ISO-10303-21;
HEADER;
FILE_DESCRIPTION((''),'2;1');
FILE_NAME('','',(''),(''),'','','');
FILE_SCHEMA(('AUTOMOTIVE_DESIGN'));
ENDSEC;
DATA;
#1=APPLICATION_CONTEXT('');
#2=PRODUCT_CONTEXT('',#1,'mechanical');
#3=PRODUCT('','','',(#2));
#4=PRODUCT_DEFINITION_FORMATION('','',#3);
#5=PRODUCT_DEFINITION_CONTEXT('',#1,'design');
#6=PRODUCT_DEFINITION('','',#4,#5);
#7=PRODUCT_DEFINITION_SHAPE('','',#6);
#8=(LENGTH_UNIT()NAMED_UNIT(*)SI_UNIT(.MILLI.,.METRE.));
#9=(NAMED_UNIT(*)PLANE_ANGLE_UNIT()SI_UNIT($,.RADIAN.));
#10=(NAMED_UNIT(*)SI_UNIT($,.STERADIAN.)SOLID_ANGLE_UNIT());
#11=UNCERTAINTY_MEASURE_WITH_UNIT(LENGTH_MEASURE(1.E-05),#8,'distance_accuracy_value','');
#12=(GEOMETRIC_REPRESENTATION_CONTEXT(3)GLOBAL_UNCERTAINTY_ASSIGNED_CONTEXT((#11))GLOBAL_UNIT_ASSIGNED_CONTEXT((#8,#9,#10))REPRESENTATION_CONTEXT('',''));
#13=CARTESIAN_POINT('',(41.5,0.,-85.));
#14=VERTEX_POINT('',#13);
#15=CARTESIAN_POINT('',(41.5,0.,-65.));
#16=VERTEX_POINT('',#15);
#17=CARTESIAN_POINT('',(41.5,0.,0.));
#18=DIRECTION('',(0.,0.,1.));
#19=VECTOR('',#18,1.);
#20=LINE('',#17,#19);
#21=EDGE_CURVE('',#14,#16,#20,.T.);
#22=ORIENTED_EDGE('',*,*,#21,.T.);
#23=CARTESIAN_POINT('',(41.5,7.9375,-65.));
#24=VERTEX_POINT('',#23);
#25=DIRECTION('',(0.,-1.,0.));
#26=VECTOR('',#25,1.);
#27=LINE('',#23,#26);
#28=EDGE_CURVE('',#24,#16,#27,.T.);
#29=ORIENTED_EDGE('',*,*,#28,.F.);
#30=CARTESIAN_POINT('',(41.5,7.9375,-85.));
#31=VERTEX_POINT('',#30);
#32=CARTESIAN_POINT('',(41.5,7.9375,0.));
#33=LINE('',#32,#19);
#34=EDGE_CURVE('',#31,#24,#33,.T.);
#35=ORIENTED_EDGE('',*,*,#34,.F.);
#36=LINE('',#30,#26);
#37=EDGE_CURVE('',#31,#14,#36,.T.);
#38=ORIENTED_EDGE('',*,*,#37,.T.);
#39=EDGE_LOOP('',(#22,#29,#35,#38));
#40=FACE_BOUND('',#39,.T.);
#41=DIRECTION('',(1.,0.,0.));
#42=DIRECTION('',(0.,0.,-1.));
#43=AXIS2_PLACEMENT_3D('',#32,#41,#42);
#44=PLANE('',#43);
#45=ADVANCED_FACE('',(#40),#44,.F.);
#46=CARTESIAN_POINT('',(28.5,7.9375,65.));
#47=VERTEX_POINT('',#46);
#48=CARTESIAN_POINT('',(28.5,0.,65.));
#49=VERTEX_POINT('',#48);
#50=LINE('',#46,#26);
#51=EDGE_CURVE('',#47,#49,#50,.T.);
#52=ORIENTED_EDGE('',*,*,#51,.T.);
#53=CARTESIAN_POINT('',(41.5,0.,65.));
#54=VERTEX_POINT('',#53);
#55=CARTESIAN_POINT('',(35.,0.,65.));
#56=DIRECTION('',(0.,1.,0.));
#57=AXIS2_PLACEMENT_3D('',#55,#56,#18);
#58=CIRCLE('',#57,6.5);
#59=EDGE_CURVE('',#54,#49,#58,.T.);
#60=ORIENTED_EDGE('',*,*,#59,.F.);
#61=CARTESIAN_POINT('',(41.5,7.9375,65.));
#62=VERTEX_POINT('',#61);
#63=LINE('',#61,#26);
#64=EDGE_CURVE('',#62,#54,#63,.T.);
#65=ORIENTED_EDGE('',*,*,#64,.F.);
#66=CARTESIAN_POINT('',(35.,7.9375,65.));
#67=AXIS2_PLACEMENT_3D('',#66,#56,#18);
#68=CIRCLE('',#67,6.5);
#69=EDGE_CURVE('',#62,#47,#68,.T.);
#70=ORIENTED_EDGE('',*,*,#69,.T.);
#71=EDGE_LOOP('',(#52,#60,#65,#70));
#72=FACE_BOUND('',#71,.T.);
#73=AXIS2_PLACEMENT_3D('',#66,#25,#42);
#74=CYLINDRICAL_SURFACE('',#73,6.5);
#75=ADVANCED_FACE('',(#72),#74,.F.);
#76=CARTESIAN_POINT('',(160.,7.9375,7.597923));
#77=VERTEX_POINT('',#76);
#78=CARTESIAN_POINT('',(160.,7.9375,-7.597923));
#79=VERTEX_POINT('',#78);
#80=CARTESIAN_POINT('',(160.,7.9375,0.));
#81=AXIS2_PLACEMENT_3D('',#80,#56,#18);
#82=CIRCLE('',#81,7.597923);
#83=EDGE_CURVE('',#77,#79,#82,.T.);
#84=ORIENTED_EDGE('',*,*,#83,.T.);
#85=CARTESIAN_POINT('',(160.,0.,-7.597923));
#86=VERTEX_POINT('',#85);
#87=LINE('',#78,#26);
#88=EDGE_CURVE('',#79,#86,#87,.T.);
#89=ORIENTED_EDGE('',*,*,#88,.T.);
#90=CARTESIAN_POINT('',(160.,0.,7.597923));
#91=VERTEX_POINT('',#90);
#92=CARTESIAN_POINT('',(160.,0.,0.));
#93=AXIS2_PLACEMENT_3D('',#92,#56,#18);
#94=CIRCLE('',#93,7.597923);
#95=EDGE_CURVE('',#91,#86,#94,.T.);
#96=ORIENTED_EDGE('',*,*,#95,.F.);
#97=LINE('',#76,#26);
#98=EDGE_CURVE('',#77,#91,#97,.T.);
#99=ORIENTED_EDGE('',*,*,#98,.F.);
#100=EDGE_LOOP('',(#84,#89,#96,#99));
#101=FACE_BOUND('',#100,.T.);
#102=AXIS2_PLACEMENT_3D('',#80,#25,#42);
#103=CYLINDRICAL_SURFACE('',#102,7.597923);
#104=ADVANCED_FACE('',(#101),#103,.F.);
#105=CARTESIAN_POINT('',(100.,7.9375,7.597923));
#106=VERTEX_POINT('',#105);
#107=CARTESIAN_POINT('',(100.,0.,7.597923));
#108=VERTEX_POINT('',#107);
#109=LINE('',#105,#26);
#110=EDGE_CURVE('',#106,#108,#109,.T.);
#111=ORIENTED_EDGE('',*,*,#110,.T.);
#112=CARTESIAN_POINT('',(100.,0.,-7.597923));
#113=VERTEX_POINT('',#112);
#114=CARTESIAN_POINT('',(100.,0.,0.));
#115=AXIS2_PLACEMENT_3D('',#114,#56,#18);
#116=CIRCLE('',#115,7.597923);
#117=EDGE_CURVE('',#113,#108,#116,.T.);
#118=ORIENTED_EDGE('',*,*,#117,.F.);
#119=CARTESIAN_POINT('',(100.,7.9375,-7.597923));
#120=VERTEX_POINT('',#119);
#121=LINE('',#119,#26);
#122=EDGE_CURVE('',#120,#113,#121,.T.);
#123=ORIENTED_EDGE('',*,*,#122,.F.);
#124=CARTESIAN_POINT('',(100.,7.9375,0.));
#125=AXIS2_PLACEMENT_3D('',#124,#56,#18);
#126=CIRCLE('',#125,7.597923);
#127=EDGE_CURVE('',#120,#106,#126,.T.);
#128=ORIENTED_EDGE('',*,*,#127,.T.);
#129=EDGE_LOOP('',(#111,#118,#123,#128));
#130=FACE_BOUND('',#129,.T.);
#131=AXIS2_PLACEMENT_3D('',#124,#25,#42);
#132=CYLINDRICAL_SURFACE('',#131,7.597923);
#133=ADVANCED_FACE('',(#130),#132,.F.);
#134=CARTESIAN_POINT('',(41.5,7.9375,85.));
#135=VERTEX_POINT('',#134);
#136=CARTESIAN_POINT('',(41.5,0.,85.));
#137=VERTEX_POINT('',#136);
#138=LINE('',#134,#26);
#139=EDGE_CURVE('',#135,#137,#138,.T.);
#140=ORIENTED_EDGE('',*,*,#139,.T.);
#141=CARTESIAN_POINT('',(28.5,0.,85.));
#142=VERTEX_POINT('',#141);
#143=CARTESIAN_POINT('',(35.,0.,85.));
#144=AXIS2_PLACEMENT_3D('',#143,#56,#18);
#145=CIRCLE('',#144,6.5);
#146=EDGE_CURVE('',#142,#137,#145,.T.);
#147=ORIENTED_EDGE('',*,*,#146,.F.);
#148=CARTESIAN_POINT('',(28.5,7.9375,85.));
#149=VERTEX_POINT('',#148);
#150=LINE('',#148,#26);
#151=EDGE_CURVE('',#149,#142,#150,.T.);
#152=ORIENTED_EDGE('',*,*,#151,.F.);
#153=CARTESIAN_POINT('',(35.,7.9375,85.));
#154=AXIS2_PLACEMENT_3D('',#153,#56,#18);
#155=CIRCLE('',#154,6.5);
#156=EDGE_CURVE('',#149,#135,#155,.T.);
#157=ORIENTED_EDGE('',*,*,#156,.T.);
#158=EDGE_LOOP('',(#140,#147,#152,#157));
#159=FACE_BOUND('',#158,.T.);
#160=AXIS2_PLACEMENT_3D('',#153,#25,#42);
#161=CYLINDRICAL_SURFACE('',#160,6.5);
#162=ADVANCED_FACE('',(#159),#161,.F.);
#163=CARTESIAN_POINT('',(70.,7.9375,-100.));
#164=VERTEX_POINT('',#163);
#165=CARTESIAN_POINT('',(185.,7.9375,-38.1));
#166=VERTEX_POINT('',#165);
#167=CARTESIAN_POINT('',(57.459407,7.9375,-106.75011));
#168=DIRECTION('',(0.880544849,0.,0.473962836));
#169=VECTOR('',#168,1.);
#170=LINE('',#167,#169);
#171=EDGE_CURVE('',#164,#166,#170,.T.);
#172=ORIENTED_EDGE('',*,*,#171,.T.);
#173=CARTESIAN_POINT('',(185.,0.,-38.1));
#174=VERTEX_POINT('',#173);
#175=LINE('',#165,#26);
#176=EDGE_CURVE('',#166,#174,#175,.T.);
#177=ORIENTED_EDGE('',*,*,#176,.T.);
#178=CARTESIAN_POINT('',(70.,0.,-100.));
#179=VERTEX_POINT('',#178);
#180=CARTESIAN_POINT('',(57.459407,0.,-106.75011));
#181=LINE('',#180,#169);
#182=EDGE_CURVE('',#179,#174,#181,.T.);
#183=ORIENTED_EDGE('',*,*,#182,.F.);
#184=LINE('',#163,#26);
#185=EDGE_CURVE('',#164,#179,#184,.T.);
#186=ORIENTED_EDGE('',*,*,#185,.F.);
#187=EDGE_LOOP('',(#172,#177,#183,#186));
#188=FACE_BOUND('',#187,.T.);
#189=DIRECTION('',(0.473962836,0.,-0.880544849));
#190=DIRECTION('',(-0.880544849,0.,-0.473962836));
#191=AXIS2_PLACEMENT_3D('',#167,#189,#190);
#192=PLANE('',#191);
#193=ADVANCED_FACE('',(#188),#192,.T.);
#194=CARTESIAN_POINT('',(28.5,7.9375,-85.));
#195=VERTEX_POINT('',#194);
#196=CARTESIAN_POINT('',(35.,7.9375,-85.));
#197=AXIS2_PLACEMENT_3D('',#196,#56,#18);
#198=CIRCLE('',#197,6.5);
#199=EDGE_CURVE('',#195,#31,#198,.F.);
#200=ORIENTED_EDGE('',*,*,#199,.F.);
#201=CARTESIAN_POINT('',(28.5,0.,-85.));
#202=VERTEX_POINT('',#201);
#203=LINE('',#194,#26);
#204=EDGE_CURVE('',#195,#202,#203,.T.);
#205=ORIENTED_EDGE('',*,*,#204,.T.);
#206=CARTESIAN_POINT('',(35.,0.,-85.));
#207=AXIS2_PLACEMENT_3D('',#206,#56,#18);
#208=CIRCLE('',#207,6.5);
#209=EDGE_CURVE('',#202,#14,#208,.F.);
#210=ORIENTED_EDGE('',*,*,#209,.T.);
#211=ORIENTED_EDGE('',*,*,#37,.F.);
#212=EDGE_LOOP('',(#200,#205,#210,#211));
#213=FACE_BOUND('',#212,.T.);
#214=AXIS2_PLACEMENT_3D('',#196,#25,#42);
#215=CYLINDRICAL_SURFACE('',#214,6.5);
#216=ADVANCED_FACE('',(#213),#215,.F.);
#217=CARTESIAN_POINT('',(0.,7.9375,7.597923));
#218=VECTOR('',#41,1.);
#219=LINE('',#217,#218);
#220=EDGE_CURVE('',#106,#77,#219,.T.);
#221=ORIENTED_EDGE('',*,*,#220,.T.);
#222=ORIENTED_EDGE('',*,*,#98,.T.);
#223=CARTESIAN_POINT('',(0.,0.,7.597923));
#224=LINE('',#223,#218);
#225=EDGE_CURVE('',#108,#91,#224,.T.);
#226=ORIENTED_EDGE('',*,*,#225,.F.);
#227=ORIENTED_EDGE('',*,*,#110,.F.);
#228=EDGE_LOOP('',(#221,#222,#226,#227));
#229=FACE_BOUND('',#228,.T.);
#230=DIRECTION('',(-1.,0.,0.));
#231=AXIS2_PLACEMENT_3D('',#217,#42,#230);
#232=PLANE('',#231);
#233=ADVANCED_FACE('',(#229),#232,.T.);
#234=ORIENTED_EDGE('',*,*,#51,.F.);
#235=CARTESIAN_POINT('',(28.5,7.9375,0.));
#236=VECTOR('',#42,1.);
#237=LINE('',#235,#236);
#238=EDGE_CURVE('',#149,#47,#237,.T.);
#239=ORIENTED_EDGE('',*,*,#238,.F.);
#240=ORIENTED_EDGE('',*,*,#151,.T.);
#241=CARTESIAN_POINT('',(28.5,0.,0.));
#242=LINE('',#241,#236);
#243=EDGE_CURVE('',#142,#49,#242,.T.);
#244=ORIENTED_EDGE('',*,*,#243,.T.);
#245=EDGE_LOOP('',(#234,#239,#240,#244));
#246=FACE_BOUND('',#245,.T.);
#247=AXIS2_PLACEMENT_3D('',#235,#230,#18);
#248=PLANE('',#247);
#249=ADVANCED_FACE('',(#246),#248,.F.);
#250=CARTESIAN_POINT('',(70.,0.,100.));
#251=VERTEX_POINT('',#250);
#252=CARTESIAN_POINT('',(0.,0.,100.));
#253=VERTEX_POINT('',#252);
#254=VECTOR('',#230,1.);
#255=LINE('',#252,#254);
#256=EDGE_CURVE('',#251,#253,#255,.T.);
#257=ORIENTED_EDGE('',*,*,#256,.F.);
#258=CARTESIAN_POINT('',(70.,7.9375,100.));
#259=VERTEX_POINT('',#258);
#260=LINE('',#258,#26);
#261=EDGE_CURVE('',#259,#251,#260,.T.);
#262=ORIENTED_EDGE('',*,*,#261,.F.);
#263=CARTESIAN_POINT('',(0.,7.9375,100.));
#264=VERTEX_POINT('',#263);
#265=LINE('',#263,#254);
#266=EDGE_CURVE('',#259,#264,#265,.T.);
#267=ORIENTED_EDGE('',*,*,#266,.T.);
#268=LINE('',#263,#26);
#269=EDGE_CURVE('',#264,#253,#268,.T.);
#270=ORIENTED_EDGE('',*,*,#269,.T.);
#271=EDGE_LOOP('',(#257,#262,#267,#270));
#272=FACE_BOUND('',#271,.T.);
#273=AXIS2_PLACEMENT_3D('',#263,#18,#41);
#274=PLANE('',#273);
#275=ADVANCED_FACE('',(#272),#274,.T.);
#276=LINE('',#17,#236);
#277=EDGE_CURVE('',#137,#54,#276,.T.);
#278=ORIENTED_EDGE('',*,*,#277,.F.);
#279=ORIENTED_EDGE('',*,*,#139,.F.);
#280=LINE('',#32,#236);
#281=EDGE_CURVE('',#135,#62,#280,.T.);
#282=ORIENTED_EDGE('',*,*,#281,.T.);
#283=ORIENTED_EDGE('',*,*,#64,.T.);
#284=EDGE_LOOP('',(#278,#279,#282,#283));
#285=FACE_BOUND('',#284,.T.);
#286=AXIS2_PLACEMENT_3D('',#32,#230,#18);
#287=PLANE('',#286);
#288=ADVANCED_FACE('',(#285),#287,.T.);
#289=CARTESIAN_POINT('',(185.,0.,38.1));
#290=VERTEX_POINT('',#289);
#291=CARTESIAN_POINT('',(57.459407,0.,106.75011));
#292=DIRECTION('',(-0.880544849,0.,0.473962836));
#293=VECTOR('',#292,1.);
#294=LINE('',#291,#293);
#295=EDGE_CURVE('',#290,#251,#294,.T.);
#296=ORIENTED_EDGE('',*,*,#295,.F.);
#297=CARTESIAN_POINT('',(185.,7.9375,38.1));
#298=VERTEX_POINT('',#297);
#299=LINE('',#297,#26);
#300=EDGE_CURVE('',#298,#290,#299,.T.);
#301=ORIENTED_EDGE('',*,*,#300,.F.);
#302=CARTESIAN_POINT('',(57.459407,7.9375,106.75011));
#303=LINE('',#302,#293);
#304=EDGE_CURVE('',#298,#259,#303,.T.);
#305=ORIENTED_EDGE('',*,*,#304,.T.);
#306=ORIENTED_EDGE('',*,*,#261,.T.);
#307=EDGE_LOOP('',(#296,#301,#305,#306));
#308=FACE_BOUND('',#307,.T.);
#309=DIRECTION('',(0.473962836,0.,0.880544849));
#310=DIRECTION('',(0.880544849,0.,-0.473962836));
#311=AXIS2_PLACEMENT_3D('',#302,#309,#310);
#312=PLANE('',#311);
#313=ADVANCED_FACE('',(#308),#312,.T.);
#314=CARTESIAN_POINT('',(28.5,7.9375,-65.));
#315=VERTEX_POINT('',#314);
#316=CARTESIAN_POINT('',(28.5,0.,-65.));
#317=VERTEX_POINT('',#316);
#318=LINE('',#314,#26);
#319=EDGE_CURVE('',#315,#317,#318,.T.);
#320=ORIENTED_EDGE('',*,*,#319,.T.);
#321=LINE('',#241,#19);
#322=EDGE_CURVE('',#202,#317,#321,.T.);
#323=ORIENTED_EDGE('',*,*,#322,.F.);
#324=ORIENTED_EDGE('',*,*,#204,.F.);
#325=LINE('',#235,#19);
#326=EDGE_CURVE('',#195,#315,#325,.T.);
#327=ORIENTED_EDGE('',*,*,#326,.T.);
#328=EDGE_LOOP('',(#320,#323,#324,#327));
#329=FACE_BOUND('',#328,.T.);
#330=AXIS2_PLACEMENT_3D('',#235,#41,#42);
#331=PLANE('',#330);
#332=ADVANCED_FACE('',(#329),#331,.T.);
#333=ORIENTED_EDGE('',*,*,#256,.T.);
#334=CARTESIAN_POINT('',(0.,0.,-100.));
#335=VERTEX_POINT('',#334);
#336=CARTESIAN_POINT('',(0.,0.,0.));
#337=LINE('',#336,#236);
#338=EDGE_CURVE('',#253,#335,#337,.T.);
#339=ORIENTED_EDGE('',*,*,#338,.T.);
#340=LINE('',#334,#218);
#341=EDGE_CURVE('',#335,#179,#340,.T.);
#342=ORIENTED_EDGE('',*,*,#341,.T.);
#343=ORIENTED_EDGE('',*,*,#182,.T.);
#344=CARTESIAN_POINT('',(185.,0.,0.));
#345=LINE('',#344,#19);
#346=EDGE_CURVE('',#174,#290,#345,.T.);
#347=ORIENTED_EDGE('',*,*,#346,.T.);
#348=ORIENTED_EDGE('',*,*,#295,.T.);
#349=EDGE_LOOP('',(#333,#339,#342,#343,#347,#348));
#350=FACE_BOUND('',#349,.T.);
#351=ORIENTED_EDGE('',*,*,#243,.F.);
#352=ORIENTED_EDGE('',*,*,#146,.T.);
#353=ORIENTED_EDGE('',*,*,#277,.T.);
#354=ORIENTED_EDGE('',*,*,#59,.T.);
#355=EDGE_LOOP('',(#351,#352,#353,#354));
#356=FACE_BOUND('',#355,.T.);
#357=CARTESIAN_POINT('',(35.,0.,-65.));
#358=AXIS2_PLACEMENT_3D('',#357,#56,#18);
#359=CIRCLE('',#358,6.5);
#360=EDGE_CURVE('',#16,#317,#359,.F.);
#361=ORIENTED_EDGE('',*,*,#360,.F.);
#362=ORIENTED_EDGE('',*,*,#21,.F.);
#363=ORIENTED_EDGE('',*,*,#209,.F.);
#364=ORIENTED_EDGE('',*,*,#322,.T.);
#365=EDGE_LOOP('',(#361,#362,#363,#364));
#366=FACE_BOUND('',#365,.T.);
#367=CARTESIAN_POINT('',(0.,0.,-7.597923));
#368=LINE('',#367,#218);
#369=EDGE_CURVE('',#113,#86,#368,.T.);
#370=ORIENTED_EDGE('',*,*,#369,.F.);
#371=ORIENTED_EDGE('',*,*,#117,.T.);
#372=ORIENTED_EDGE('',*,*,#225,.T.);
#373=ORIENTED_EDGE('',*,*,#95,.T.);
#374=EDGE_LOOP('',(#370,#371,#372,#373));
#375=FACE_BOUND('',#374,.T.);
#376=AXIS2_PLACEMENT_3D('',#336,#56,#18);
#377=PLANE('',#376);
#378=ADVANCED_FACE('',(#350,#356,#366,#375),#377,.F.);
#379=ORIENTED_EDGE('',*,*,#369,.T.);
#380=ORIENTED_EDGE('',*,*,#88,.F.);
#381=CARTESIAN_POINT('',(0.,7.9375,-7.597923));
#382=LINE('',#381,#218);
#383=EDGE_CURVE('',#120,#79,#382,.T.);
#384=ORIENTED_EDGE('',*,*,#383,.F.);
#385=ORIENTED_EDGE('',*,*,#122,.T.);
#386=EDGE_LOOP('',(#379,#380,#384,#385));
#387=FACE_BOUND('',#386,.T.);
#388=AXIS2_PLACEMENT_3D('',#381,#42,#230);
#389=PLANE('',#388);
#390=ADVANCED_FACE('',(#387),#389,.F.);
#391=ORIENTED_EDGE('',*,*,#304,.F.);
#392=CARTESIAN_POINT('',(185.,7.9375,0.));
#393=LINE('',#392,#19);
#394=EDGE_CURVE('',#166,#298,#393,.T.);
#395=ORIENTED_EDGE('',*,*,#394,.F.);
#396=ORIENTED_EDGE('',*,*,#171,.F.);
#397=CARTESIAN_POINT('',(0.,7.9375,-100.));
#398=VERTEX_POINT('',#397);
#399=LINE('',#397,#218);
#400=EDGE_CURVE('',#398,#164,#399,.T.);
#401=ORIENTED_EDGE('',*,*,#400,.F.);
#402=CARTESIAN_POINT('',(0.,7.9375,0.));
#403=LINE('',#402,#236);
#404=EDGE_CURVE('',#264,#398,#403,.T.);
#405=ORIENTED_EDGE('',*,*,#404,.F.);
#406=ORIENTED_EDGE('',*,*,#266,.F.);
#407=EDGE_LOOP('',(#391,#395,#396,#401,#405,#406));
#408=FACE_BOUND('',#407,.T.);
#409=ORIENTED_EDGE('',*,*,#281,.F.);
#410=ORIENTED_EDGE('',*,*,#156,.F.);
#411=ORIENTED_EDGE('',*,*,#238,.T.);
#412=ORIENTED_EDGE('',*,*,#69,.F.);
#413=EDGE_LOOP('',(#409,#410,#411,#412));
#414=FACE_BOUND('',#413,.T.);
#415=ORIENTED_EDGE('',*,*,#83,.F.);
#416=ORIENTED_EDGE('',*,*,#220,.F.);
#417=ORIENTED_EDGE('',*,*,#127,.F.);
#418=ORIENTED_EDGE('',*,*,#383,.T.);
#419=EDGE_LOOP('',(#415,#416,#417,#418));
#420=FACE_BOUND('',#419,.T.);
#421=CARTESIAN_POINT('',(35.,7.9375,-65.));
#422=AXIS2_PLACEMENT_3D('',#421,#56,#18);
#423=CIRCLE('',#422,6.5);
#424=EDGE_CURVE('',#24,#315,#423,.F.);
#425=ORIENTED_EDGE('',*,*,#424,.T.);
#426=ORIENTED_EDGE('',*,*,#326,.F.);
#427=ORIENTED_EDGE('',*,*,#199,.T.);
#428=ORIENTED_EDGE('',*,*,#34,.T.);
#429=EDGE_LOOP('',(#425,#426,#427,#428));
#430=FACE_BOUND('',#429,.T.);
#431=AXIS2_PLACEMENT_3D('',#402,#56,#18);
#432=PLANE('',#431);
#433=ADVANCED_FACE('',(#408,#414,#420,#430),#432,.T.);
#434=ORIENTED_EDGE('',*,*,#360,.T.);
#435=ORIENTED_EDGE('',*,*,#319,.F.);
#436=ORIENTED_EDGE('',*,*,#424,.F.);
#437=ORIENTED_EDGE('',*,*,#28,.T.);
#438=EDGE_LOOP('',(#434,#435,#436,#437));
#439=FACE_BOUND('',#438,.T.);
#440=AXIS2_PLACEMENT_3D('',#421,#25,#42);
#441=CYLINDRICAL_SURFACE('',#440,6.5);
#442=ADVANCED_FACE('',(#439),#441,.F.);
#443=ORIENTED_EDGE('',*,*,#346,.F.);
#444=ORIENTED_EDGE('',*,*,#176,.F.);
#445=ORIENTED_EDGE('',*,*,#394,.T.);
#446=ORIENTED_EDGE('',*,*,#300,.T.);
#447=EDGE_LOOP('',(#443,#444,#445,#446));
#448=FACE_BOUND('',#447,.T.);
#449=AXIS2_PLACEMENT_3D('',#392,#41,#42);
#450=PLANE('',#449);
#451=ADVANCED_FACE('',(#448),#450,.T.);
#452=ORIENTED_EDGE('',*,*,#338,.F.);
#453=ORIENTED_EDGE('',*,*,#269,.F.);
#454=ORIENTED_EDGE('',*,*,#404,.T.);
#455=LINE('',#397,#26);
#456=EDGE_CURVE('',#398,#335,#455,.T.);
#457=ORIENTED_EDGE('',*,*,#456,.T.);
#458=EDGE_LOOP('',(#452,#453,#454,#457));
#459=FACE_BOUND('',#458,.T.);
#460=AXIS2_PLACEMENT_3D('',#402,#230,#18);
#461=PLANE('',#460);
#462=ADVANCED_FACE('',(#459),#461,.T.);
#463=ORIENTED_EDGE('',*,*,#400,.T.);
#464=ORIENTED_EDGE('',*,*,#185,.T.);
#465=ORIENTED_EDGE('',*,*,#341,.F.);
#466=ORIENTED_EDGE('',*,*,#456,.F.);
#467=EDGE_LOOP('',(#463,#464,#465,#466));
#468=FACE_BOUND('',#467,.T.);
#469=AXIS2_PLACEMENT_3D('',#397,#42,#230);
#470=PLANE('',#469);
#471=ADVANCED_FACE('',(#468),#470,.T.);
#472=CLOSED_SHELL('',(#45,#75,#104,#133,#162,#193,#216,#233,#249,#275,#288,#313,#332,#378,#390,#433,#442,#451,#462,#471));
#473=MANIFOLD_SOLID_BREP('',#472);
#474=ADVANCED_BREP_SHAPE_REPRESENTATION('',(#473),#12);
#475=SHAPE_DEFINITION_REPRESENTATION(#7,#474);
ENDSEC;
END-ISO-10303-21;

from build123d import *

# Parameters (mm, degrees)
SALIENTE_EXTRUIR1_DEPTH = 7.9375


with BuildPart() as part:
    # Croquis1 → Saliente-Extruir1 (new body)
    with BuildSketch(Plane(origin=(0, 0, 0), x_dir=(1, 0, 0), z_dir=(0, 1, 0))):
        Polygon((70, -100), (0, -100), (0, 100), (70, 100), (185, 38.1), (185, -38.1), align=None)
        with BuildLine():
            ThreePointArc((41.5, -65), (35, -58.5), (28.5, -65))
            Line((28.5, -65), (28.5, -85))
            ThreePointArc((28.5, -85), (35, -91.5), (41.5, -85))
            Line((41.5, -85), (41.5, -65))
        make_face(mode=Mode.SUBTRACT)
        with BuildLine():
            ThreePointArc((160, -7.597922996), (167.597922996, 0), (160, 7.597922996))
            Line((160, 7.597922996), (100, 7.597922996))
            ThreePointArc((100, 7.597922996), (92.402077004, 0), (100, -7.597922996))
            Line((100, -7.597922996), (160, -7.597922996))
        make_face(mode=Mode.SUBTRACT)
        with BuildLine():
            Line((41.5, 85), (41.5, 65))
            ThreePointArc((41.5, 65), (35, 58.5), (28.5, 65))
            Line((28.5, 65), (28.5, 85))
            ThreePointArc((28.5, 85), (35, 91.5), (41.5, 85))
        make_face(mode=Mode.SUBTRACT)
    extrude(amount=SALIENTE_EXTRUIR1_DEPTH)


solid = part.part
